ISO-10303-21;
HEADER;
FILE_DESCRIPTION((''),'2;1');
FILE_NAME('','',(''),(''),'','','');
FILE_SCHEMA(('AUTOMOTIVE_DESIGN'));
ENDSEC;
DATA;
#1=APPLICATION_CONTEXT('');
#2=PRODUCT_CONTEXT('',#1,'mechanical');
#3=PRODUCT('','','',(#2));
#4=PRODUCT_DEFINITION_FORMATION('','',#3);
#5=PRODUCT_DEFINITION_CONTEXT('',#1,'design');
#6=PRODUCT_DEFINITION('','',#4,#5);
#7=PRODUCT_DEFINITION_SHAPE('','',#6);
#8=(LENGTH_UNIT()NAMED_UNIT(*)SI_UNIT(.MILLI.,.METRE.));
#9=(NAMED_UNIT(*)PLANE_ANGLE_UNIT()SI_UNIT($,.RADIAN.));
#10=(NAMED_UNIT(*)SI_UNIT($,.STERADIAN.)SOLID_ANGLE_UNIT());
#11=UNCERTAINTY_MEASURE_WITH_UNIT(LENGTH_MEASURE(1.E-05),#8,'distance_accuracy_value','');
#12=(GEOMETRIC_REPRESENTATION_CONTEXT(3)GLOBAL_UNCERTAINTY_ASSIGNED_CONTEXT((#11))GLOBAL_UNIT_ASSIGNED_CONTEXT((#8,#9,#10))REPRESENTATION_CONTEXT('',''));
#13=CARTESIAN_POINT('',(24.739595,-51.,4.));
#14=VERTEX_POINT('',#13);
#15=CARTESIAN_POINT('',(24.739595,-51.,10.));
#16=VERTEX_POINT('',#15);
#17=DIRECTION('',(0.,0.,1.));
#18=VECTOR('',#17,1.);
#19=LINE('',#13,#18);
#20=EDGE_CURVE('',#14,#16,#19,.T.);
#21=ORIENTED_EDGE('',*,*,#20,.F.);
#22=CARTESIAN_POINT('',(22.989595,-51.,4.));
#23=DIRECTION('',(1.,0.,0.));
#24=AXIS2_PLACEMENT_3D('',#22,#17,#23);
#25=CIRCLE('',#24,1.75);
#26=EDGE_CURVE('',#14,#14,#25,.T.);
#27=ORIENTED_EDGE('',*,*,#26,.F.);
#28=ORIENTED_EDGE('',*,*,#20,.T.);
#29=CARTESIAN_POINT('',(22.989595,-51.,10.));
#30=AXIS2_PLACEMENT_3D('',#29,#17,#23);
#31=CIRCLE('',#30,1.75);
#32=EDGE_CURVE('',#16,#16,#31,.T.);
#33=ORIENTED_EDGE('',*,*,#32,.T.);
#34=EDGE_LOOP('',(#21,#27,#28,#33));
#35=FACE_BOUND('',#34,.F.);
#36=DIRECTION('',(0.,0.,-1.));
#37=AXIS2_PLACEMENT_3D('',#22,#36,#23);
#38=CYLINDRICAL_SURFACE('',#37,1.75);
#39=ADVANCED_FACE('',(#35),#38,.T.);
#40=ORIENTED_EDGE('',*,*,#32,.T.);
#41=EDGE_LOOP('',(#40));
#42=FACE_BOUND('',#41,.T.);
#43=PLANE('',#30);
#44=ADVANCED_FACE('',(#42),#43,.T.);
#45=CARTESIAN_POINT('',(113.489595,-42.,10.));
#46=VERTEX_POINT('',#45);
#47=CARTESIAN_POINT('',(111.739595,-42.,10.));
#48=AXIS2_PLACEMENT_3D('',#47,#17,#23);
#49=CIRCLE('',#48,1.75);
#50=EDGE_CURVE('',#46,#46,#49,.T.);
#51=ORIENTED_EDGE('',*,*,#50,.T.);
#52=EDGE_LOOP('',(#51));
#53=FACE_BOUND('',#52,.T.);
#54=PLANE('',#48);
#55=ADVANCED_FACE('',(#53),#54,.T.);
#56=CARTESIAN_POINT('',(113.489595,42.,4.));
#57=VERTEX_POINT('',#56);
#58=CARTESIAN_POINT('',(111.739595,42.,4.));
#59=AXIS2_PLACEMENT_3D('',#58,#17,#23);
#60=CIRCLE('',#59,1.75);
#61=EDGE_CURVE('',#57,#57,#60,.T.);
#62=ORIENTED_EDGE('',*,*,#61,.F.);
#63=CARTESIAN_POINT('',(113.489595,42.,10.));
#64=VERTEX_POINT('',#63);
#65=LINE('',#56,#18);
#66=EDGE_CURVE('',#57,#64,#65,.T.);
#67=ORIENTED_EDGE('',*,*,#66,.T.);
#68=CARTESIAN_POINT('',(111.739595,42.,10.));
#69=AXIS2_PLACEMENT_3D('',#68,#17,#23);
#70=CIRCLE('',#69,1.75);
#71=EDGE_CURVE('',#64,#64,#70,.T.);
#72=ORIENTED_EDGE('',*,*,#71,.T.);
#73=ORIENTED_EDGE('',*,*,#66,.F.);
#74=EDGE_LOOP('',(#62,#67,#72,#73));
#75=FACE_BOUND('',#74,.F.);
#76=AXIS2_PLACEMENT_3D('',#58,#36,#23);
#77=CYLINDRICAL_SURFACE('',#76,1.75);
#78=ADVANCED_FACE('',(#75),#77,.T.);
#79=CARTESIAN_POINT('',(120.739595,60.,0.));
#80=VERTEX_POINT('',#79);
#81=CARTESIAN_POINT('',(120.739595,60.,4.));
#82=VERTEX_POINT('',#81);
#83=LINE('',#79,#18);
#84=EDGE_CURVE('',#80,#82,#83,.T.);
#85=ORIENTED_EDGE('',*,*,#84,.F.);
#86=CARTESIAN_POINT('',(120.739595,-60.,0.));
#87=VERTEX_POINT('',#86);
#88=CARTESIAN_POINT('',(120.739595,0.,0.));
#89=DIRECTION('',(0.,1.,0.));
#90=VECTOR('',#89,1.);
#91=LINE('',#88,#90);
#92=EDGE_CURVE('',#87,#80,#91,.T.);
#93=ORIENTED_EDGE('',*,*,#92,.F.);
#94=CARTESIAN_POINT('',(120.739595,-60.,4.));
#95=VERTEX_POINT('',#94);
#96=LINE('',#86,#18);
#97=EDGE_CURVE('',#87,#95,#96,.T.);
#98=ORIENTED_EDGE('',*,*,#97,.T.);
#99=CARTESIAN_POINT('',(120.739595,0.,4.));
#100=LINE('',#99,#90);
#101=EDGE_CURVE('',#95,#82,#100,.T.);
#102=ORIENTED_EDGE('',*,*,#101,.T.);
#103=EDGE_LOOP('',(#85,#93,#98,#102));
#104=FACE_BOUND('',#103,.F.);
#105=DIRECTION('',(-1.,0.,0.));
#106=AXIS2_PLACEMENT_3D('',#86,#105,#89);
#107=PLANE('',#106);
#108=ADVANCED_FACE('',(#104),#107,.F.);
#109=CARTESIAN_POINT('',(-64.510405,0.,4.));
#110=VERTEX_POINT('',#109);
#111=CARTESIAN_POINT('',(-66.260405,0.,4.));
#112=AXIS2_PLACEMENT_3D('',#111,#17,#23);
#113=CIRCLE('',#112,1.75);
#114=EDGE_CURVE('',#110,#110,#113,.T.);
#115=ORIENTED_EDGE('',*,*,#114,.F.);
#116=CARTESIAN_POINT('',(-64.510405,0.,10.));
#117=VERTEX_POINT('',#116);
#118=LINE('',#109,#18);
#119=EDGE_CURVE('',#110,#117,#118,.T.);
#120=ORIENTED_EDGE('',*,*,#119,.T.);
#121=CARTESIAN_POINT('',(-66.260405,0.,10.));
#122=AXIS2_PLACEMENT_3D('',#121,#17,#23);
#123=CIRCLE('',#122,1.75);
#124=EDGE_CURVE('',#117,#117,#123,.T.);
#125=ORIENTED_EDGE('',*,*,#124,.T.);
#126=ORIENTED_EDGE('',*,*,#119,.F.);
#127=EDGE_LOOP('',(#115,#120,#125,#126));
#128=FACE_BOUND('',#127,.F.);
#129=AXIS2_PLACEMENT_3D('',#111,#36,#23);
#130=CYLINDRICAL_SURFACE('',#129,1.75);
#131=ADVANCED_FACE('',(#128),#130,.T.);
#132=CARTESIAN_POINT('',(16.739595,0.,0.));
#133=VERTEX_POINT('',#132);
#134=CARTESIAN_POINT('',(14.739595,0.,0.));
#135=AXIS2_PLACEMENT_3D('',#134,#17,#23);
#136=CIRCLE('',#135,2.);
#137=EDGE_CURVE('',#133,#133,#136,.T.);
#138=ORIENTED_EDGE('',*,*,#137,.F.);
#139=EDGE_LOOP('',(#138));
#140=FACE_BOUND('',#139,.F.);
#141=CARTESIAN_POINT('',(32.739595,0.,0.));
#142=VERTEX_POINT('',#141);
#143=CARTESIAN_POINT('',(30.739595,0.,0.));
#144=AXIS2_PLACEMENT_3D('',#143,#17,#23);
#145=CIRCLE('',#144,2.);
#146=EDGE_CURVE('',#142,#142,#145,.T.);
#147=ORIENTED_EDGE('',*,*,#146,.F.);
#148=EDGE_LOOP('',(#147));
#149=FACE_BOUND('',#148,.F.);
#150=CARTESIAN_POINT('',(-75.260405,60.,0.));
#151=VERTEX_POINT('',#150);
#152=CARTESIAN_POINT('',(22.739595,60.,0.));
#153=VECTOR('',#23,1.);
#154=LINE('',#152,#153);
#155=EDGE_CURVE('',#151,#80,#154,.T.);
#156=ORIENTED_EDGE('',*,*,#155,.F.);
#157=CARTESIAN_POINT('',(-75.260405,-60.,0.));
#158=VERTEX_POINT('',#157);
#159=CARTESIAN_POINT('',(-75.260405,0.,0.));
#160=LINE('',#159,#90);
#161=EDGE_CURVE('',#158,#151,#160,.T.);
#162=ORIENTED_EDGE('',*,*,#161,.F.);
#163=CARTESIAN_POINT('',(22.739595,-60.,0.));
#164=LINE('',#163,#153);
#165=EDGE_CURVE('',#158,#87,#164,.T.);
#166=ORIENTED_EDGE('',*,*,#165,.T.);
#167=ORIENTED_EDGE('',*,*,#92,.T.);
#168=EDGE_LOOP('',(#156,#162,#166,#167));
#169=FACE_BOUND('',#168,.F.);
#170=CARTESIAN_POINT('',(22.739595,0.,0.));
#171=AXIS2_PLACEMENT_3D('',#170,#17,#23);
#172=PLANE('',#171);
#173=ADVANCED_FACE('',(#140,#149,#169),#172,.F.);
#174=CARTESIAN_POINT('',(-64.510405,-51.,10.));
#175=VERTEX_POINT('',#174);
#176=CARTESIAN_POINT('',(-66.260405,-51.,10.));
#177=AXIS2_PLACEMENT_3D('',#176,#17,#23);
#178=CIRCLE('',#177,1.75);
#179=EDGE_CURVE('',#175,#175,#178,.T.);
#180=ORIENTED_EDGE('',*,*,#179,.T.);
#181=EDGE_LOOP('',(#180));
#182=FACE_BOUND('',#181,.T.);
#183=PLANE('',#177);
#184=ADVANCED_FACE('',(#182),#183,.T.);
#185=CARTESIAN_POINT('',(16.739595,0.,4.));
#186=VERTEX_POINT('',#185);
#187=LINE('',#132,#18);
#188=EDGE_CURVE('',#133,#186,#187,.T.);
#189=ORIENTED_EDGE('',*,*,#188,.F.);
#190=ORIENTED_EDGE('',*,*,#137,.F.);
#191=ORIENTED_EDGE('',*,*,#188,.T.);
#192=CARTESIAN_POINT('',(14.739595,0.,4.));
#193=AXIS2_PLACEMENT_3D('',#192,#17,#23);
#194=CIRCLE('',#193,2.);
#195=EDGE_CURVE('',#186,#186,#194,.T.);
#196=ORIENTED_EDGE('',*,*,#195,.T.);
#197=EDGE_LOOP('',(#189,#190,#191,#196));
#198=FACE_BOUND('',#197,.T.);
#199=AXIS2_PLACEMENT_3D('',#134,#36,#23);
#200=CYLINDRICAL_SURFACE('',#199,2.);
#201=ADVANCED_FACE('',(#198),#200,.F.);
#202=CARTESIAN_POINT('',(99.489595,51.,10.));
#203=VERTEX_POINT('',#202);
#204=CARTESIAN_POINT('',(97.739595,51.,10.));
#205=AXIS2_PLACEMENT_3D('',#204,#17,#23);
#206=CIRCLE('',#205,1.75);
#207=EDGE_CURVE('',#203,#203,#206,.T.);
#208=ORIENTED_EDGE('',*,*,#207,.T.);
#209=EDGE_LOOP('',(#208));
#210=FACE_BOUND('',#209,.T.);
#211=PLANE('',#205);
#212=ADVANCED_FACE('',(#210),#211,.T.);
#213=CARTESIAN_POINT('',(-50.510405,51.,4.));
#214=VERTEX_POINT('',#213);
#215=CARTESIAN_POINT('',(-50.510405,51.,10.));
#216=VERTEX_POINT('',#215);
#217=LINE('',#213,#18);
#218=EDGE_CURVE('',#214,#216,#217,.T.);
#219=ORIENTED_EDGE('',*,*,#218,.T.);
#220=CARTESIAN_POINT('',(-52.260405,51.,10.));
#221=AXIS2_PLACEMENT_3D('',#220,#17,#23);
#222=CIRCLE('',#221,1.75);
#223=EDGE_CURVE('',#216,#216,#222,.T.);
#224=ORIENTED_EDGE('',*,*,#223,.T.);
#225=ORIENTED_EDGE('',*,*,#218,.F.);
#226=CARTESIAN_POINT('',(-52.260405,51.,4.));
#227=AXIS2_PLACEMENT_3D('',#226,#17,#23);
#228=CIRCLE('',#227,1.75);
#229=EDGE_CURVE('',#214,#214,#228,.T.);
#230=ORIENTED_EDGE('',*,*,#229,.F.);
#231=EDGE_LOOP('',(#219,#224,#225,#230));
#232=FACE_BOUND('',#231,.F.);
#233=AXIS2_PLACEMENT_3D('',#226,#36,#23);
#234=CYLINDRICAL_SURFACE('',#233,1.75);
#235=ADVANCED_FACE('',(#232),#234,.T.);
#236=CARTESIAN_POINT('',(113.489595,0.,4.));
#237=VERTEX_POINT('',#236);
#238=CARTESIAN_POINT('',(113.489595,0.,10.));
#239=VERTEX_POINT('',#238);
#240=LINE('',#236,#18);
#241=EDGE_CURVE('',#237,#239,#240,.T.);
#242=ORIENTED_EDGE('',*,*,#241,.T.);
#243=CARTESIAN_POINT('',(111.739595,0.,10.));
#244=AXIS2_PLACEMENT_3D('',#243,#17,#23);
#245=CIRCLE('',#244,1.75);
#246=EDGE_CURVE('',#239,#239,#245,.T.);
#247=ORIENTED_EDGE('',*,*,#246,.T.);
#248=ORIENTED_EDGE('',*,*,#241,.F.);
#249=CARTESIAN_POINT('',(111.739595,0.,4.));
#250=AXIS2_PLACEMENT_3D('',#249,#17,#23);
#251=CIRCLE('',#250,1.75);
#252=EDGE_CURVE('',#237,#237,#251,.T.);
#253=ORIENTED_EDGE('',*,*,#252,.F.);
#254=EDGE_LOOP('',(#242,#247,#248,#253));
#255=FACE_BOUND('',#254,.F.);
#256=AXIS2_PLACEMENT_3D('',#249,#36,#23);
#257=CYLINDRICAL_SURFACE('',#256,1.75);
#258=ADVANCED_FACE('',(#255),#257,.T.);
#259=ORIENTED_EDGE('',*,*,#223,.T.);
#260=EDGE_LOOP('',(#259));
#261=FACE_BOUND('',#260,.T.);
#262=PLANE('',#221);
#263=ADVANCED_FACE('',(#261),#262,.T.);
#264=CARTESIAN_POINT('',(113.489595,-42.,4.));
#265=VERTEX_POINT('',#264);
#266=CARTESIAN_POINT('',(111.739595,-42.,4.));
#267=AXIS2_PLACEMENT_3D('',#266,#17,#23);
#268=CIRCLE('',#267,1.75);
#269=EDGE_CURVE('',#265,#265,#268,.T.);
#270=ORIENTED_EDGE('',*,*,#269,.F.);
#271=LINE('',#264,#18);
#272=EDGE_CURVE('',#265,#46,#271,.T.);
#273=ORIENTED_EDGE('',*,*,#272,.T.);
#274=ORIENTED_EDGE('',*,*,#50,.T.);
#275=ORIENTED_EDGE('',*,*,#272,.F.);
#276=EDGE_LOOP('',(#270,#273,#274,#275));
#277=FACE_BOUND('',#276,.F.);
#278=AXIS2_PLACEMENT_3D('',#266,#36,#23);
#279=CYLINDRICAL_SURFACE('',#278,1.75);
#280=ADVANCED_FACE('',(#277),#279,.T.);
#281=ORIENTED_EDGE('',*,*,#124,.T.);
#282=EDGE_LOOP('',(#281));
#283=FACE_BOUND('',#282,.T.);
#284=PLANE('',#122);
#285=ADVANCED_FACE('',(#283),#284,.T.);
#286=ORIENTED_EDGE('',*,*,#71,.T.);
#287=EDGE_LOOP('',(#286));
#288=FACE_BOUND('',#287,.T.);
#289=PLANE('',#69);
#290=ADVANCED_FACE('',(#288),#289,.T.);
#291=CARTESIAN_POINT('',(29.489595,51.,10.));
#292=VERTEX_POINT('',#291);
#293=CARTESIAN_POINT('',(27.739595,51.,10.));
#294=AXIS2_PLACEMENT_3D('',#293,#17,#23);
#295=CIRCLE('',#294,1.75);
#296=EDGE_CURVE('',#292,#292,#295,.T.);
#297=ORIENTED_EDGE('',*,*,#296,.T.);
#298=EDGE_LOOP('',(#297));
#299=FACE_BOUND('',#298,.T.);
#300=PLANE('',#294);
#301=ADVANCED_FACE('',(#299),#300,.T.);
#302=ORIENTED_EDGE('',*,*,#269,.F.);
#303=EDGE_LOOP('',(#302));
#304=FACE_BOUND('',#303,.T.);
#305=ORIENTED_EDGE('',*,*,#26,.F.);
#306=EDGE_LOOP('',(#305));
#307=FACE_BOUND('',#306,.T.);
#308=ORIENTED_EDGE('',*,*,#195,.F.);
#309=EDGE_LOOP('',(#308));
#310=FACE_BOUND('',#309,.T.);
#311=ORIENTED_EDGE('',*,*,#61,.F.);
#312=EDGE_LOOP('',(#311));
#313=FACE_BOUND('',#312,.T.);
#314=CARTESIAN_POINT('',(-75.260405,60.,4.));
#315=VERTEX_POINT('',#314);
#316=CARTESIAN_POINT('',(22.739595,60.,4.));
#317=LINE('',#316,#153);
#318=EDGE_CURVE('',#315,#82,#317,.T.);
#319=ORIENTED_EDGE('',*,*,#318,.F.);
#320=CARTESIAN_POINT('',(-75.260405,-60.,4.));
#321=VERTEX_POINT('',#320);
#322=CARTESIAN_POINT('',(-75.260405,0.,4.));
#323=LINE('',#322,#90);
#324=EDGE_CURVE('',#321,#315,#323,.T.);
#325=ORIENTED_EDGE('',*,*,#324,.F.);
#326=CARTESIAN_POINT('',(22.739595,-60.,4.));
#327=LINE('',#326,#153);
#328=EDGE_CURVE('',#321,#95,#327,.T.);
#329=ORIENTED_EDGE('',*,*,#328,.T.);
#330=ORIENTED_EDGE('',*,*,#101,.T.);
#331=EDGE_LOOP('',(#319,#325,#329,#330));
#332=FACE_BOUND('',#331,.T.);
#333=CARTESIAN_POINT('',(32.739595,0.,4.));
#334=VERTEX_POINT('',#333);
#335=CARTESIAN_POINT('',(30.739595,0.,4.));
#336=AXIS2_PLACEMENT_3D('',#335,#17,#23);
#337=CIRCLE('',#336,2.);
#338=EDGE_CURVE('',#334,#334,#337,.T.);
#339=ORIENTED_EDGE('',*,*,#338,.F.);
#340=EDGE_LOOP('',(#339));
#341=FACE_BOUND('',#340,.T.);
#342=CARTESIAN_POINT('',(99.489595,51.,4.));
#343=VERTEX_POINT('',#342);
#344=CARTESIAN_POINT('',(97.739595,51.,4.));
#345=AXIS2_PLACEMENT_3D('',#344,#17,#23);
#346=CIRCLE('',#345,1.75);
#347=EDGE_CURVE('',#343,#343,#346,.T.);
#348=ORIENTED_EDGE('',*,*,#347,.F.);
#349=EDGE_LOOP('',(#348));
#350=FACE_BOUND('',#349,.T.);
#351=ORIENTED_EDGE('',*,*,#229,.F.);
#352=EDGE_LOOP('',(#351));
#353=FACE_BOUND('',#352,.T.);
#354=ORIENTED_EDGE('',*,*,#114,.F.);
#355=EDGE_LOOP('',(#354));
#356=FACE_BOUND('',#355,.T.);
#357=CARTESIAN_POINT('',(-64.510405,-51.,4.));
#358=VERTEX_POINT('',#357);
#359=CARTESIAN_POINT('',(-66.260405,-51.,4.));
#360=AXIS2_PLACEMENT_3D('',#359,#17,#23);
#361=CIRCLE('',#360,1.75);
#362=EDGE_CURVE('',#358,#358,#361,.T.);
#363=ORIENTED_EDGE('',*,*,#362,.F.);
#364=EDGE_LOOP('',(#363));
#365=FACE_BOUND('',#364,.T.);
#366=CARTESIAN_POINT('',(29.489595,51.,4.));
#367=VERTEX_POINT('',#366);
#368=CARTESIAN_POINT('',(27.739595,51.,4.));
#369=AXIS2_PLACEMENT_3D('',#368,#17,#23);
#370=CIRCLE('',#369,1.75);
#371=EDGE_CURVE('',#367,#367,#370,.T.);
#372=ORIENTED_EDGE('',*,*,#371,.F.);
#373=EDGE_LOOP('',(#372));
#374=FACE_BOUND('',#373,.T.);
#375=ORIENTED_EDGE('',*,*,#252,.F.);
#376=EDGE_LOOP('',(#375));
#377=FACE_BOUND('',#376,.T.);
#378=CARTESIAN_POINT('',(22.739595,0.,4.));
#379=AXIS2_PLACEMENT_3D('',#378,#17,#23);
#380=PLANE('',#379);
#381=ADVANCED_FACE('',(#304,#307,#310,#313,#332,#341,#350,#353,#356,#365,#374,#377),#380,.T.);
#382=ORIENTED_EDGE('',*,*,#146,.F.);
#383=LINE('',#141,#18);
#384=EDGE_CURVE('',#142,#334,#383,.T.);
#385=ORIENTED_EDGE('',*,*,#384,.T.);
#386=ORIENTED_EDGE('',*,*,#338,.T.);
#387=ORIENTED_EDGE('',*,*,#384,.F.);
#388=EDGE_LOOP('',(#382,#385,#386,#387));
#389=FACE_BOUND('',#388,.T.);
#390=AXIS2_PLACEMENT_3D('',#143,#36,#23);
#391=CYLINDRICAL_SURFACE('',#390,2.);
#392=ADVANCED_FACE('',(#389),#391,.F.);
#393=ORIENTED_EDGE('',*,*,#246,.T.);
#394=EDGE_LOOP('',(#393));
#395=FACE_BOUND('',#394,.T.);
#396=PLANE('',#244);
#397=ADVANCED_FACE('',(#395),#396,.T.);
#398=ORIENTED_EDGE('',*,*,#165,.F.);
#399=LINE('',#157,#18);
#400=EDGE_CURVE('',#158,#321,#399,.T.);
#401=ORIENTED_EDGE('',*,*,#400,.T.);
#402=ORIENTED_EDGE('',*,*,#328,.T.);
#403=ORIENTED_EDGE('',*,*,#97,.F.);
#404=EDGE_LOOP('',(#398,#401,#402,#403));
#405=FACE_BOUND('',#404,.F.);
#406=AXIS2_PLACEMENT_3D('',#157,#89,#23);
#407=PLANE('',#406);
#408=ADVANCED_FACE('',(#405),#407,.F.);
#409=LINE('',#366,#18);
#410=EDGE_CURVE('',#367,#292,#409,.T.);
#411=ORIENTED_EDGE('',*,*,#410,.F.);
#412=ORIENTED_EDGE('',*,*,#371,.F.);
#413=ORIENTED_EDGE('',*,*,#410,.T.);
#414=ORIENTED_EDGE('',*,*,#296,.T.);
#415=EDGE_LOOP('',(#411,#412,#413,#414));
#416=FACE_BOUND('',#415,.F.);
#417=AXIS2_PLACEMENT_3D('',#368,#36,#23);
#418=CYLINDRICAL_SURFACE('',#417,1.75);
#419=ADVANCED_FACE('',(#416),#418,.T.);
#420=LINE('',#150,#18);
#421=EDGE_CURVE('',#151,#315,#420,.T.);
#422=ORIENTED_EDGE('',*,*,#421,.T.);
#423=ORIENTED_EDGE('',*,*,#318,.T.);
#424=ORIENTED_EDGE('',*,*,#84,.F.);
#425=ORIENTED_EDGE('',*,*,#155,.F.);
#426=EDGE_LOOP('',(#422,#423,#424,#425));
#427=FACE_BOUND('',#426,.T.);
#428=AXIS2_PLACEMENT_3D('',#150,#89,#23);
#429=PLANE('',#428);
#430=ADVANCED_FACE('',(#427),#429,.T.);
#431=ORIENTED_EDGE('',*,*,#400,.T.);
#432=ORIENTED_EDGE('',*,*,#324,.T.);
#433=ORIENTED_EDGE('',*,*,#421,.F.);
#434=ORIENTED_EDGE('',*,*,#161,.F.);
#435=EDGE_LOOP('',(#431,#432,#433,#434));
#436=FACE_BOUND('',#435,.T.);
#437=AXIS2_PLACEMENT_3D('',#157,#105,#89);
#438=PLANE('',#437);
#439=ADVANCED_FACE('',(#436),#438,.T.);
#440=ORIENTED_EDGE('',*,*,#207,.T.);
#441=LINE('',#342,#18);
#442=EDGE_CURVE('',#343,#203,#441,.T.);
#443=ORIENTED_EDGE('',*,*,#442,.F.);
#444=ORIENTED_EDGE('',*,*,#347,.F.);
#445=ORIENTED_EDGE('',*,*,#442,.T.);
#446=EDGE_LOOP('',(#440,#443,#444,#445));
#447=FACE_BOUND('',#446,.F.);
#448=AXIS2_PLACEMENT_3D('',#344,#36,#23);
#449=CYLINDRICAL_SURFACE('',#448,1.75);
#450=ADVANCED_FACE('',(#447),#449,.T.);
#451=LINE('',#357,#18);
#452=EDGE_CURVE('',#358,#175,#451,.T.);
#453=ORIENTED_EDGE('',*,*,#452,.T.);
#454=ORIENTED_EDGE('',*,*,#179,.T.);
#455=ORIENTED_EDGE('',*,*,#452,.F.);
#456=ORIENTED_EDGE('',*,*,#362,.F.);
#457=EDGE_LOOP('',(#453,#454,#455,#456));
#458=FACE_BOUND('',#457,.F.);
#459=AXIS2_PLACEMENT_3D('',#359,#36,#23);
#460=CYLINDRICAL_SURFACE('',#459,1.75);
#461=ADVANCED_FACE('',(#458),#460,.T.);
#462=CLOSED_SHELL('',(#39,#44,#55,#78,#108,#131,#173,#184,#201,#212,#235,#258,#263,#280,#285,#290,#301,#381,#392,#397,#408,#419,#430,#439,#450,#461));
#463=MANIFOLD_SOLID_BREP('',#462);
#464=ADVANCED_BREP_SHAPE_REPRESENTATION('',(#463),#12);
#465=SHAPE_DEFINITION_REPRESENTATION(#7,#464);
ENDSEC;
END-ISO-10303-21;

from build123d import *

# Parameters (mm, degrees)
F0_W     = 196
F0_H     = 120
F0_R     = 2
F1_DEPTH = 4
F2_R     = 1.75
F3_DEPTH = 6


with BuildPart() as f1:
    # F0 (on Top) → F1 (new body)
    with BuildSketch(Plane.XY):
        with Locations((22.739595, 0)):
            Rectangle(F0_W, F0_H)
        with Locations((14.739595, 0)):
            Circle(F0_R, mode=Mode.SUBTRACT)
        with Locations((30.739595, 0)):
            Circle(F0_R, mode=Mode.SUBTRACT)
    extrude(amount=F1_DEPTH)

    # F2 (on face) → F3 (join)
    with BuildSketch(Plane.XY.offset(4)):
        with Locations((-66.260405, -51)):
            Circle(F2_R)
        with Locations((22.989595, -51)):
            Circle(F2_R)
        with Locations((111.739595, -42)):
            Circle(F2_R)
        with Locations((111.739595, 42)):
            Circle(F2_R)
        with Locations((-52.260405, 51)):
            Circle(F2_R)
        with Locations((-66.260405, 0)):
            Circle(F2_R)
        with Locations((97.739595, 51)):
            Circle(F2_R)
        with Locations((27.739595, 51)):
            Circle(F2_R)
        with Locations((111.739595, 0)):
            Circle(F2_R)
    extrude(amount=F3_DEPTH)


solid = f1.part
